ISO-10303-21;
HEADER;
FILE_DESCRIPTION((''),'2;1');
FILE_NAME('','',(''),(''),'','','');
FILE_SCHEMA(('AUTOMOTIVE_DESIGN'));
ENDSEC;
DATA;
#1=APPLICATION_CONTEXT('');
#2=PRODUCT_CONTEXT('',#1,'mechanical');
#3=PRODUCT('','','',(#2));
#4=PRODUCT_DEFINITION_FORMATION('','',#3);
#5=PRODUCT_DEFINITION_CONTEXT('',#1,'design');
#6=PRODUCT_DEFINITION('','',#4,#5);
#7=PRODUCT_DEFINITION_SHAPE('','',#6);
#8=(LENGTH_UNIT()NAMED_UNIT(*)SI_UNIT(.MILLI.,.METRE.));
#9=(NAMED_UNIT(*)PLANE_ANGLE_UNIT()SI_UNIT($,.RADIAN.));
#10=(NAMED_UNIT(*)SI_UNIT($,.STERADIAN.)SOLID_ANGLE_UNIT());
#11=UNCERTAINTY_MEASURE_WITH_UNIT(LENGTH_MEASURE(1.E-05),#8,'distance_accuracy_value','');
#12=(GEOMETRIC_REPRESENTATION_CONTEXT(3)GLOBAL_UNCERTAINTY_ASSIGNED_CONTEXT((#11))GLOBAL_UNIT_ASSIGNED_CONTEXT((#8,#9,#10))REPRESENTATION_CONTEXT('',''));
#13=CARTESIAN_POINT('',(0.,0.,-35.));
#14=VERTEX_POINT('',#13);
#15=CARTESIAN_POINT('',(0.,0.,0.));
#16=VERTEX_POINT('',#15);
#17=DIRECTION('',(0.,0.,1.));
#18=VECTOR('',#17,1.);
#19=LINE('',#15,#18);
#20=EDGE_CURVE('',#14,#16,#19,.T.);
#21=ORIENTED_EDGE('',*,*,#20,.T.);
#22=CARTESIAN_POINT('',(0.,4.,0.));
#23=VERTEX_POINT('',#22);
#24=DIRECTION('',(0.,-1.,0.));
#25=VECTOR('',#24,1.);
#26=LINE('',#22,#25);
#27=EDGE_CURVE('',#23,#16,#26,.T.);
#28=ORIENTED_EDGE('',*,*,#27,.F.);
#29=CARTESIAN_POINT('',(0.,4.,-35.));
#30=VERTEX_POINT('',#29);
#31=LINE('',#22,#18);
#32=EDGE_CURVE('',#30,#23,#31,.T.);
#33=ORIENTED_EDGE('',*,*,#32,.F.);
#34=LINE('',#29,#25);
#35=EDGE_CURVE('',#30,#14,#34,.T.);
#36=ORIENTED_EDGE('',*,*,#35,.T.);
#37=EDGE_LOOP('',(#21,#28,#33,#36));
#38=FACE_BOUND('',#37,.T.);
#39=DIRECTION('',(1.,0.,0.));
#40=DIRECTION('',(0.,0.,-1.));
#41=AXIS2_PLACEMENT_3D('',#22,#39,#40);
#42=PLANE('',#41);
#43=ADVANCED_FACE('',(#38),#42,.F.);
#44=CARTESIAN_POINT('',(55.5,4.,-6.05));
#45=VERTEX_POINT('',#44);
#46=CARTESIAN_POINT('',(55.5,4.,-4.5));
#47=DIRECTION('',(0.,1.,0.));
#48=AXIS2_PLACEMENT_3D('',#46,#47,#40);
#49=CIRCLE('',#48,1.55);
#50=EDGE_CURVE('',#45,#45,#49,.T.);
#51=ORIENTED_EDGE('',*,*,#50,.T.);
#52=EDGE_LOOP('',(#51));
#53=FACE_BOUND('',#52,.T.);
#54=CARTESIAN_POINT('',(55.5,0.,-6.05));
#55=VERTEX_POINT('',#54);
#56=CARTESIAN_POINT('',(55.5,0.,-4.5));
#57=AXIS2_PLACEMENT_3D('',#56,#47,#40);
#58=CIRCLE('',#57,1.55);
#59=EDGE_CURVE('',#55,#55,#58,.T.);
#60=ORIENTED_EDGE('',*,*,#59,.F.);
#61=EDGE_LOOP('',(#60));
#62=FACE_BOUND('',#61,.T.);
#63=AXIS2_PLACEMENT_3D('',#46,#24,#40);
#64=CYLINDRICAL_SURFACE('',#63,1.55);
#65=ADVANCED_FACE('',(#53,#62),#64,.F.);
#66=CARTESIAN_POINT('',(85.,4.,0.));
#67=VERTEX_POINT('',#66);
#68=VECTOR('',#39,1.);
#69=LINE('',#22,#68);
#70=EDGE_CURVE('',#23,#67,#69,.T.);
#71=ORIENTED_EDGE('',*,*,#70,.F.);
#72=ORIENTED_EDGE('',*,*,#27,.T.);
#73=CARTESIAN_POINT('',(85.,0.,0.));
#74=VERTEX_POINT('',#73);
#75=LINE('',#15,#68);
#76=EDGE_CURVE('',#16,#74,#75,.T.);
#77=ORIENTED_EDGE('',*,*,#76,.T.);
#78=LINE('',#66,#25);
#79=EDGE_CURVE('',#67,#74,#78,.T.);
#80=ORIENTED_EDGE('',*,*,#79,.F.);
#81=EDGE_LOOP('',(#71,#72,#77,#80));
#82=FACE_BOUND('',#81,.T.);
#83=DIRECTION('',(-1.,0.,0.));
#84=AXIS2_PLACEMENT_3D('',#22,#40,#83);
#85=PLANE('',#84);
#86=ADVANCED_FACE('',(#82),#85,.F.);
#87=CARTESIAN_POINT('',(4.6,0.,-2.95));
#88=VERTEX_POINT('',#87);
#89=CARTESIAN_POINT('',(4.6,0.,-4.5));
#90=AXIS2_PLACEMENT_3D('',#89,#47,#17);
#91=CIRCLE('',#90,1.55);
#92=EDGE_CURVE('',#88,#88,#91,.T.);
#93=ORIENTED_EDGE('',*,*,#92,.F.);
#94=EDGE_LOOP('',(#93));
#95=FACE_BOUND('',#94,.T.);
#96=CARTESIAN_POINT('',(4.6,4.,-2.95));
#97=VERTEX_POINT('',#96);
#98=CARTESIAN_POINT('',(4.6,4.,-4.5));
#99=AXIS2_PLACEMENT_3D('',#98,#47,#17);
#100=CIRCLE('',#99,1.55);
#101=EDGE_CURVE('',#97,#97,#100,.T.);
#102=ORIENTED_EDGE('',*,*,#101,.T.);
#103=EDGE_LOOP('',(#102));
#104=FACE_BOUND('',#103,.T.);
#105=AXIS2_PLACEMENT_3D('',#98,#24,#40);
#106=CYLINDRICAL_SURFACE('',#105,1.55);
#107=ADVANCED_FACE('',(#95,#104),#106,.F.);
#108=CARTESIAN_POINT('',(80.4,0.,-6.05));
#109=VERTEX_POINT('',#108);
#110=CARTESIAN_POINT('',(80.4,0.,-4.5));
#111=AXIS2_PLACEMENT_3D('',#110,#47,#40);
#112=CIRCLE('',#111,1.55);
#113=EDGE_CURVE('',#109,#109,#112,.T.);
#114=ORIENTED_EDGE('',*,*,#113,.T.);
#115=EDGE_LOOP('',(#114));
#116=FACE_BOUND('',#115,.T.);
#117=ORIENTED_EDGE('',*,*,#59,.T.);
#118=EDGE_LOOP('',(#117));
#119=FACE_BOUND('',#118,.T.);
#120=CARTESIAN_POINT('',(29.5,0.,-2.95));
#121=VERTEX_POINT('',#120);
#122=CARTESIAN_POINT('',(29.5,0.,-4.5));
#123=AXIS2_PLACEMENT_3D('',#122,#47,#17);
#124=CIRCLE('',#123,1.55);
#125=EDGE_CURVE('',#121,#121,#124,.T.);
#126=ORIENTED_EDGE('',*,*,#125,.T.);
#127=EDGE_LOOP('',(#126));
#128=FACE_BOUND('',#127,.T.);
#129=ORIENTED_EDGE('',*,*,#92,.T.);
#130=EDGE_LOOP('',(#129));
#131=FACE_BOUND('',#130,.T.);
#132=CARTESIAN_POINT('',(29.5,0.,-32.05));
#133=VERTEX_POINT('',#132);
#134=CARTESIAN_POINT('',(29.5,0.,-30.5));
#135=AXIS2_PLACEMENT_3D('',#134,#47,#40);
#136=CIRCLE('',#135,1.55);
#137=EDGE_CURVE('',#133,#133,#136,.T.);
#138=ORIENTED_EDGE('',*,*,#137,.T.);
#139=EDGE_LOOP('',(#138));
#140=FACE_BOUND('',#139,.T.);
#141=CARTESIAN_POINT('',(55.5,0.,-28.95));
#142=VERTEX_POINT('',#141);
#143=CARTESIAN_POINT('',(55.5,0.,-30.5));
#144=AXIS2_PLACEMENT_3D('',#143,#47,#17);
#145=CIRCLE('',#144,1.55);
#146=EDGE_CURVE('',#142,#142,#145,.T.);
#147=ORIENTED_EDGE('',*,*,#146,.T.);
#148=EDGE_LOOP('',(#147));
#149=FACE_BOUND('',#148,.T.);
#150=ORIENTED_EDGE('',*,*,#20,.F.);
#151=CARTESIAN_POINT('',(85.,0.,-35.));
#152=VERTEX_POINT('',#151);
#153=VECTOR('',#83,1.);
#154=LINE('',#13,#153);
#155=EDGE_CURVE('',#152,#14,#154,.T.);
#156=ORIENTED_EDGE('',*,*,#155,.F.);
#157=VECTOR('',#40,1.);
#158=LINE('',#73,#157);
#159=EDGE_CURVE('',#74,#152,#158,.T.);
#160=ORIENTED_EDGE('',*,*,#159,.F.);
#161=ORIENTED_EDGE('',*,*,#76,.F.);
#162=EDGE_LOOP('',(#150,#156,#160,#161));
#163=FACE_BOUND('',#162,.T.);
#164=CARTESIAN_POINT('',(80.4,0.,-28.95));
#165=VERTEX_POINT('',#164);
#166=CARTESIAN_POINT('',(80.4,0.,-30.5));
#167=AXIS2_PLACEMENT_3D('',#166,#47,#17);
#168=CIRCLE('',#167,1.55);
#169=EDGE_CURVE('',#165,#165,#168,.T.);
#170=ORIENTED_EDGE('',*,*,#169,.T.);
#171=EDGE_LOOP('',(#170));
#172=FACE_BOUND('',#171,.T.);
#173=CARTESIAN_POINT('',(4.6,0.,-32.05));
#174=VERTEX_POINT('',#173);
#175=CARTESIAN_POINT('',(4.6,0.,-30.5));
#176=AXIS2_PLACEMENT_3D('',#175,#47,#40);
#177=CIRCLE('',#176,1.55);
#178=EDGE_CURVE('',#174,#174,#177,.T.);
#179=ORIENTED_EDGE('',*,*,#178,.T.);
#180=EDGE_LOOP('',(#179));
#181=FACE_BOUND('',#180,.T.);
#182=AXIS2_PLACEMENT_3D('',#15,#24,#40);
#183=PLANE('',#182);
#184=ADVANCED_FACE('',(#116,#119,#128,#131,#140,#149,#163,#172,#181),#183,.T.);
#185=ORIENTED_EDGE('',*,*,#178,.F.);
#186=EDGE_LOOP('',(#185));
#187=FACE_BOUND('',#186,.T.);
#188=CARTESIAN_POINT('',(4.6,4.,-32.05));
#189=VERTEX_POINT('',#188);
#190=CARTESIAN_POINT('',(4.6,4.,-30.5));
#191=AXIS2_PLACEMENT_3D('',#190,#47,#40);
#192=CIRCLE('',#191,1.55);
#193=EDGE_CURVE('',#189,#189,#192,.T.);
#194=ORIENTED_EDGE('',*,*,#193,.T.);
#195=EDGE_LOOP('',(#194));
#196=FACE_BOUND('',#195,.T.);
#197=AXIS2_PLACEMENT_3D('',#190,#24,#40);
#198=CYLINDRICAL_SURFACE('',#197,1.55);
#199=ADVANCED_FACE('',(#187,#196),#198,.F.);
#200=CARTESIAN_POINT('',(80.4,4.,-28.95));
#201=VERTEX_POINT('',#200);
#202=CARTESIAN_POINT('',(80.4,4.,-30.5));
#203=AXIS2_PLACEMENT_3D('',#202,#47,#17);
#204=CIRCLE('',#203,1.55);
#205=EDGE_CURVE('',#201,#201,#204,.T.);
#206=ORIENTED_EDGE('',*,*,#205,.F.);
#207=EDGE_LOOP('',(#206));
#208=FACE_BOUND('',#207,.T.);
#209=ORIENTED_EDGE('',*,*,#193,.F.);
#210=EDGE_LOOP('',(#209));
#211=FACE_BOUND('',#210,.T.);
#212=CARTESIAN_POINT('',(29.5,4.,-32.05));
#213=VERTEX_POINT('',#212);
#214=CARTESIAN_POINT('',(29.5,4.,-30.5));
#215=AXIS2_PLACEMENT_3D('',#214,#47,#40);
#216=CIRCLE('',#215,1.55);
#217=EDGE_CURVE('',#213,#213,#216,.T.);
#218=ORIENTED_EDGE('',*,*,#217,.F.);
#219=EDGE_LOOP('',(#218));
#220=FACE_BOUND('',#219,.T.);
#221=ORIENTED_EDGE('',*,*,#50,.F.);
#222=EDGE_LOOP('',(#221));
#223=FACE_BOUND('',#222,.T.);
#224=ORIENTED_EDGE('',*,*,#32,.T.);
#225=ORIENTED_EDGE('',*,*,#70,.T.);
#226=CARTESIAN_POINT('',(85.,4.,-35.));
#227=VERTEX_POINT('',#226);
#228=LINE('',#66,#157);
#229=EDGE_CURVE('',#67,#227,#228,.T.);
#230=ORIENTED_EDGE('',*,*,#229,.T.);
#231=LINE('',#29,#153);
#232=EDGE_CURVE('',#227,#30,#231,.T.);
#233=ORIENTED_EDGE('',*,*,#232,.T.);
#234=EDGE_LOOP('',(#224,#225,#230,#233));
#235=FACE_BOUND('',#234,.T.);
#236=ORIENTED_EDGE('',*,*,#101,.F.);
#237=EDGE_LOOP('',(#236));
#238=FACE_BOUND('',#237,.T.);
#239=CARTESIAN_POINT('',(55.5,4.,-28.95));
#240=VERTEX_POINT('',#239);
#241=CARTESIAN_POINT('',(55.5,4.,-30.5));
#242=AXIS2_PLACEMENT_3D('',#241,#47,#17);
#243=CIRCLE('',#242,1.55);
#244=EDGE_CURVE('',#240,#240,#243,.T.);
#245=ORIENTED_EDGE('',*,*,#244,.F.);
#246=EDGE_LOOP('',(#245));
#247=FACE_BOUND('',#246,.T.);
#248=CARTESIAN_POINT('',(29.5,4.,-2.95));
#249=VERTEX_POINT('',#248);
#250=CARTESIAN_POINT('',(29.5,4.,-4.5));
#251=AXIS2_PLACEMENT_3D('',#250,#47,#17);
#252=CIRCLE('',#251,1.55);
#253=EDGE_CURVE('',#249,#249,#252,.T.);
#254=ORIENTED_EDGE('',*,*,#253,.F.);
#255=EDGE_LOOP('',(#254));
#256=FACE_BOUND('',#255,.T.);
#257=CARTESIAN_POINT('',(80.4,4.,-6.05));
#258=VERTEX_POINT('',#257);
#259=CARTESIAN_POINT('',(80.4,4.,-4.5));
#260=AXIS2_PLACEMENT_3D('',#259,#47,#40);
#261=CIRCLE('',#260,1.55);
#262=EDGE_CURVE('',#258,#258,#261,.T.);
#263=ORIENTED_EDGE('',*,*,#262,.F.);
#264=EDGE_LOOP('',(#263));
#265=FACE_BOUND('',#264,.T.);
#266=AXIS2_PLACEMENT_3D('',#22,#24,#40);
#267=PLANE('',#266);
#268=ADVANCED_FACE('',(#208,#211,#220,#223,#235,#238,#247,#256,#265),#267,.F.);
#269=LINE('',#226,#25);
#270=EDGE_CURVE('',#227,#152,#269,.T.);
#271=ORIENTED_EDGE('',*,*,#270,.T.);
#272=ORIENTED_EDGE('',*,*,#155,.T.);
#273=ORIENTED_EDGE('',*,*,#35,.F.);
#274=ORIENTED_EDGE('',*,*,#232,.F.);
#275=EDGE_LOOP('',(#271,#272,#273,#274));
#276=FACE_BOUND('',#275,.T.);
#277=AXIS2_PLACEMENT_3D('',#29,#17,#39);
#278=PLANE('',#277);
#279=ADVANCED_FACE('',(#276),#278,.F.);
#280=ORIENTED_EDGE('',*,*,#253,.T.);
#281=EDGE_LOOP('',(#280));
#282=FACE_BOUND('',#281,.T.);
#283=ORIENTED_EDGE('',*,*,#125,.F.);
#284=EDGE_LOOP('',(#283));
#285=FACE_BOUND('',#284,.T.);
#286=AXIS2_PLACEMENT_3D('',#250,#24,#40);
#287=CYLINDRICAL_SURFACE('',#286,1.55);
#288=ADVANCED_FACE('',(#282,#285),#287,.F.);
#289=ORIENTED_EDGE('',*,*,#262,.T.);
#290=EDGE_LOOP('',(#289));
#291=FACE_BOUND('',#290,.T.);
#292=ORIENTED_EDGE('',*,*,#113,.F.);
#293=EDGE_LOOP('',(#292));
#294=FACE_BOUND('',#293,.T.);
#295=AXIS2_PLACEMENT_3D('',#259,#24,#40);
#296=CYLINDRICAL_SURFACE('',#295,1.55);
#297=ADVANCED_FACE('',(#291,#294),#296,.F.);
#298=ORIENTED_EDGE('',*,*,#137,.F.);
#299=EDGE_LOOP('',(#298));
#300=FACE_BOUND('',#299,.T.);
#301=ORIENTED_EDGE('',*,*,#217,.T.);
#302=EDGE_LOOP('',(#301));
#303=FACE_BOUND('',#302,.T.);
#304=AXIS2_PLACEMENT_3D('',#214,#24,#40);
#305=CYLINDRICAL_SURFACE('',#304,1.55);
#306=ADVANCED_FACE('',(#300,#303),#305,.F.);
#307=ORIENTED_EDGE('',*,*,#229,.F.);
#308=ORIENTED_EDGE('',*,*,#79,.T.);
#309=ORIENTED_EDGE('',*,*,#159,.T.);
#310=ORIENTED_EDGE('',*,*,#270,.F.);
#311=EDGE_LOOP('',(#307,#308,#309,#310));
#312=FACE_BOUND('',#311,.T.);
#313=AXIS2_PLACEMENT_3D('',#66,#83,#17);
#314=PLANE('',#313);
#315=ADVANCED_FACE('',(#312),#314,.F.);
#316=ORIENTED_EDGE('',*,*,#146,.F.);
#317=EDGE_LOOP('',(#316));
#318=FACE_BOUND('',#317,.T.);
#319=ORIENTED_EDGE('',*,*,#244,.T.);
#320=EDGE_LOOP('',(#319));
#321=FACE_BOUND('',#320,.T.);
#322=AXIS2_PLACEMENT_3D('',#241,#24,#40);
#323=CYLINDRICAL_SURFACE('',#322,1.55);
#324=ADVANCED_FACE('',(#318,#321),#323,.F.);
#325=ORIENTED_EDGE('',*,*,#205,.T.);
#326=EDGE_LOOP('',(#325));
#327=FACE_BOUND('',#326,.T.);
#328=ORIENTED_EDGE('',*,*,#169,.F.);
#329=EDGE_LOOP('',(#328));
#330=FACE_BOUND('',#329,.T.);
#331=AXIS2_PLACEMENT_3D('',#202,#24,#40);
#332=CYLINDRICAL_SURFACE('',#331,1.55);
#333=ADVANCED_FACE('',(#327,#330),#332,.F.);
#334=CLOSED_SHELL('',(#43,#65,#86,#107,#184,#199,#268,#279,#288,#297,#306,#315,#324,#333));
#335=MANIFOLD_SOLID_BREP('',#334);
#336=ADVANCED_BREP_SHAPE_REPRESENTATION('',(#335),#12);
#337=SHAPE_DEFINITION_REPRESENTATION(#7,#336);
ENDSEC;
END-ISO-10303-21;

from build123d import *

# Parameters (mm, degrees)
SKETCH_1_W      = 85
SKETCH_1_H      = 35
SKETCH_1_R      = 1.55
EXTRUDE_1_DEPTH = 4


with BuildPart() as part:
    # 草图1 → 凸台-拉伸1 (new body)
    with BuildSketch(Plane(origin=(0, 0, 0), x_dir=(1, 0, 0), z_dir=(0, 1, 0))):
        with Locations((42.5, 17.5)):
            Rectangle(SKETCH_1_W, SKETCH_1_H)
        with Locations(Location((80.4, 30.5, 0), (0, 0, 270))):
            Circle(SKETCH_1_R, mode=Mode.SUBTRACT)
        with Locations(Location((80.4, 4.5, 0), (0, 0, 90))):
            Circle(SKETCH_1_R, mode=Mode.SUBTRACT)
        with Locations(Location((4.6, 30.5, 0), (0, 0, 90))):
            Circle(SKETCH_1_R, mode=Mode.SUBTRACT)
        with Locations(Location((4.6, 4.5, 0), (0, 0, 270))):
            Circle(SKETCH_1_R, mode=Mode.SUBTRACT)
        with Locations(Location((55.5, 30.5, 0), (0, 0, 270))):
            Circle(SKETCH_1_R, mode=Mode.SUBTRACT)
        with Locations(Location((55.5, 4.5, 0), (0, 0, 90))):
            Circle(SKETCH_1_R, mode=Mode.SUBTRACT)
        with Locations(Location((29.5, 4.5, 0), (0, 0, 270))):
            Circle(SKETCH_1_R, mode=Mode.SUBTRACT)
        with Locations(Location((29.5, 30.5, 0), (0, 0, 90))):
            Circle(SKETCH_1_R, mode=Mode.SUBTRACT)
    extrude(amount=EXTRUDE_1_DEPTH)


solid = part.part
